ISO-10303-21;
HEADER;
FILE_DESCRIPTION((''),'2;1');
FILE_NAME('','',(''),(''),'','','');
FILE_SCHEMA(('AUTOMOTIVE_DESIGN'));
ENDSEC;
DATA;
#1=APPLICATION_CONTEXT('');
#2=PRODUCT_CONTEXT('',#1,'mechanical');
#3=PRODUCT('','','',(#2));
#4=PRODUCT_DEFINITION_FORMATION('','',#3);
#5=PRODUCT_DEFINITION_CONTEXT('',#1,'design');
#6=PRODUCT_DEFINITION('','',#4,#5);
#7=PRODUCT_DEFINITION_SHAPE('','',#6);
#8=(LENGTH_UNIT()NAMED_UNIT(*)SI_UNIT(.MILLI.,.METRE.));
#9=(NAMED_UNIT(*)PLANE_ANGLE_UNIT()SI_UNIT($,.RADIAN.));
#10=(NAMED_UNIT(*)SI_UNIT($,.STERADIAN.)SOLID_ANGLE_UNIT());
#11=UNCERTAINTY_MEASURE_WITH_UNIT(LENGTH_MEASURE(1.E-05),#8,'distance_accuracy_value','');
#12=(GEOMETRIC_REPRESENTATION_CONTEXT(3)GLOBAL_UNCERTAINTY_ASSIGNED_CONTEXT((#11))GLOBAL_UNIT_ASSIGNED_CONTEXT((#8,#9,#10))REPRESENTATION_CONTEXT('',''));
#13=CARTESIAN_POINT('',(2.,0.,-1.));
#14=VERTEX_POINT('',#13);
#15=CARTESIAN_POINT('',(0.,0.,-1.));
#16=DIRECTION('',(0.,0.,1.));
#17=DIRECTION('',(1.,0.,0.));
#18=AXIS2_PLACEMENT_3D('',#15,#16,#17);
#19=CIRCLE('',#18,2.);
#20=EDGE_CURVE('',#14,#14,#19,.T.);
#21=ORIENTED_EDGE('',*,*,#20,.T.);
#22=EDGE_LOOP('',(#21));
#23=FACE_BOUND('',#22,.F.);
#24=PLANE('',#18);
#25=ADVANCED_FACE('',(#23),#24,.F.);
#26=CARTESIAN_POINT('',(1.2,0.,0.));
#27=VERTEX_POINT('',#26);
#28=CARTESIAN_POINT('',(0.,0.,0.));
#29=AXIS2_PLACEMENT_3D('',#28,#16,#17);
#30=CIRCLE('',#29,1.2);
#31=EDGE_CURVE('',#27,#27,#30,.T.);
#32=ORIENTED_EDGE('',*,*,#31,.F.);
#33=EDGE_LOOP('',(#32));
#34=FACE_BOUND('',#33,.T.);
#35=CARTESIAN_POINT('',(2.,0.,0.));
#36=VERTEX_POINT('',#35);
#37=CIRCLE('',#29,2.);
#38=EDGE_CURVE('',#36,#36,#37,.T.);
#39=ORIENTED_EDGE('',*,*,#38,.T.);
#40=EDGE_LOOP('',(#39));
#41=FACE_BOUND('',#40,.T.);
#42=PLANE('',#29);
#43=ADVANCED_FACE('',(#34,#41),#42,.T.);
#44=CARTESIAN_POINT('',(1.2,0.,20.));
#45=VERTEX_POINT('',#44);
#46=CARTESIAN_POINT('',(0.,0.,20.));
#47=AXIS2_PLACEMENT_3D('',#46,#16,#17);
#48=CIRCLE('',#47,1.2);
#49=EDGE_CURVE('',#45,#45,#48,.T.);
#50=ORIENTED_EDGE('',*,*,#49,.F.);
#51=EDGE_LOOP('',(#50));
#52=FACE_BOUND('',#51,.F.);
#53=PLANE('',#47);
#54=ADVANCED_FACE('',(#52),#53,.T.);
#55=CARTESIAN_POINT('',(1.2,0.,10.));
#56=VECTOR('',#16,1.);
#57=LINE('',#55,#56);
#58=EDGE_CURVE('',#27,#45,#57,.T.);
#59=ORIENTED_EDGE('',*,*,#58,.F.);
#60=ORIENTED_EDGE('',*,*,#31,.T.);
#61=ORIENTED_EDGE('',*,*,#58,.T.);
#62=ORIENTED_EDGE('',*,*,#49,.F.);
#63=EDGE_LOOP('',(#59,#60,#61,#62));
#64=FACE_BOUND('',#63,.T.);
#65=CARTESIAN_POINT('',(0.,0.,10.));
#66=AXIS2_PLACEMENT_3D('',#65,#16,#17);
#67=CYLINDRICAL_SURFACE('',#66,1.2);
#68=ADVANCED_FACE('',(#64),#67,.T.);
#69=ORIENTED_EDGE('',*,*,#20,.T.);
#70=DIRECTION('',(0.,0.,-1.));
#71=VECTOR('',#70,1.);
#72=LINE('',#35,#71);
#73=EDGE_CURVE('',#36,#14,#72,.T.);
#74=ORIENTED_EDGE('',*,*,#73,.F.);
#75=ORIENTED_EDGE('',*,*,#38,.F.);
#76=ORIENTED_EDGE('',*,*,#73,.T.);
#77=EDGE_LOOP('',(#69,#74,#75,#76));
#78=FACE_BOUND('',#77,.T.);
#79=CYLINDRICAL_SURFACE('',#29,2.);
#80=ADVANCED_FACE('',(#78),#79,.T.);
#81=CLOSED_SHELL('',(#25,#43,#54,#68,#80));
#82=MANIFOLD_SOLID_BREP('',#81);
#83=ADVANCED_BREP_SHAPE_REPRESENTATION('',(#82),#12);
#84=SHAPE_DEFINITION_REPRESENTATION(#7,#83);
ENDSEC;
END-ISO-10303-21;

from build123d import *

# Parameters (mm, degrees)
F0_W     = 1.2
F0_H     = 20
F2_R     = 2
F3_DEPTH = 1


with BuildPart() as f1:
    # F0 (on Front) → F1 (revolve)
    with BuildSketch(Plane.XZ):
        with Locations((0.6, 10)):
            Rectangle(F0_W, F0_H)
    revolve(axis=Axis((0, 0, 10), (0, 0, 1)))

    # F2 (on Top) → F3 (join)
    with BuildSketch(Plane.XY):
        Circle(F2_R)
    extrude(amount=-F3_DEPTH)


solid = f1.part
